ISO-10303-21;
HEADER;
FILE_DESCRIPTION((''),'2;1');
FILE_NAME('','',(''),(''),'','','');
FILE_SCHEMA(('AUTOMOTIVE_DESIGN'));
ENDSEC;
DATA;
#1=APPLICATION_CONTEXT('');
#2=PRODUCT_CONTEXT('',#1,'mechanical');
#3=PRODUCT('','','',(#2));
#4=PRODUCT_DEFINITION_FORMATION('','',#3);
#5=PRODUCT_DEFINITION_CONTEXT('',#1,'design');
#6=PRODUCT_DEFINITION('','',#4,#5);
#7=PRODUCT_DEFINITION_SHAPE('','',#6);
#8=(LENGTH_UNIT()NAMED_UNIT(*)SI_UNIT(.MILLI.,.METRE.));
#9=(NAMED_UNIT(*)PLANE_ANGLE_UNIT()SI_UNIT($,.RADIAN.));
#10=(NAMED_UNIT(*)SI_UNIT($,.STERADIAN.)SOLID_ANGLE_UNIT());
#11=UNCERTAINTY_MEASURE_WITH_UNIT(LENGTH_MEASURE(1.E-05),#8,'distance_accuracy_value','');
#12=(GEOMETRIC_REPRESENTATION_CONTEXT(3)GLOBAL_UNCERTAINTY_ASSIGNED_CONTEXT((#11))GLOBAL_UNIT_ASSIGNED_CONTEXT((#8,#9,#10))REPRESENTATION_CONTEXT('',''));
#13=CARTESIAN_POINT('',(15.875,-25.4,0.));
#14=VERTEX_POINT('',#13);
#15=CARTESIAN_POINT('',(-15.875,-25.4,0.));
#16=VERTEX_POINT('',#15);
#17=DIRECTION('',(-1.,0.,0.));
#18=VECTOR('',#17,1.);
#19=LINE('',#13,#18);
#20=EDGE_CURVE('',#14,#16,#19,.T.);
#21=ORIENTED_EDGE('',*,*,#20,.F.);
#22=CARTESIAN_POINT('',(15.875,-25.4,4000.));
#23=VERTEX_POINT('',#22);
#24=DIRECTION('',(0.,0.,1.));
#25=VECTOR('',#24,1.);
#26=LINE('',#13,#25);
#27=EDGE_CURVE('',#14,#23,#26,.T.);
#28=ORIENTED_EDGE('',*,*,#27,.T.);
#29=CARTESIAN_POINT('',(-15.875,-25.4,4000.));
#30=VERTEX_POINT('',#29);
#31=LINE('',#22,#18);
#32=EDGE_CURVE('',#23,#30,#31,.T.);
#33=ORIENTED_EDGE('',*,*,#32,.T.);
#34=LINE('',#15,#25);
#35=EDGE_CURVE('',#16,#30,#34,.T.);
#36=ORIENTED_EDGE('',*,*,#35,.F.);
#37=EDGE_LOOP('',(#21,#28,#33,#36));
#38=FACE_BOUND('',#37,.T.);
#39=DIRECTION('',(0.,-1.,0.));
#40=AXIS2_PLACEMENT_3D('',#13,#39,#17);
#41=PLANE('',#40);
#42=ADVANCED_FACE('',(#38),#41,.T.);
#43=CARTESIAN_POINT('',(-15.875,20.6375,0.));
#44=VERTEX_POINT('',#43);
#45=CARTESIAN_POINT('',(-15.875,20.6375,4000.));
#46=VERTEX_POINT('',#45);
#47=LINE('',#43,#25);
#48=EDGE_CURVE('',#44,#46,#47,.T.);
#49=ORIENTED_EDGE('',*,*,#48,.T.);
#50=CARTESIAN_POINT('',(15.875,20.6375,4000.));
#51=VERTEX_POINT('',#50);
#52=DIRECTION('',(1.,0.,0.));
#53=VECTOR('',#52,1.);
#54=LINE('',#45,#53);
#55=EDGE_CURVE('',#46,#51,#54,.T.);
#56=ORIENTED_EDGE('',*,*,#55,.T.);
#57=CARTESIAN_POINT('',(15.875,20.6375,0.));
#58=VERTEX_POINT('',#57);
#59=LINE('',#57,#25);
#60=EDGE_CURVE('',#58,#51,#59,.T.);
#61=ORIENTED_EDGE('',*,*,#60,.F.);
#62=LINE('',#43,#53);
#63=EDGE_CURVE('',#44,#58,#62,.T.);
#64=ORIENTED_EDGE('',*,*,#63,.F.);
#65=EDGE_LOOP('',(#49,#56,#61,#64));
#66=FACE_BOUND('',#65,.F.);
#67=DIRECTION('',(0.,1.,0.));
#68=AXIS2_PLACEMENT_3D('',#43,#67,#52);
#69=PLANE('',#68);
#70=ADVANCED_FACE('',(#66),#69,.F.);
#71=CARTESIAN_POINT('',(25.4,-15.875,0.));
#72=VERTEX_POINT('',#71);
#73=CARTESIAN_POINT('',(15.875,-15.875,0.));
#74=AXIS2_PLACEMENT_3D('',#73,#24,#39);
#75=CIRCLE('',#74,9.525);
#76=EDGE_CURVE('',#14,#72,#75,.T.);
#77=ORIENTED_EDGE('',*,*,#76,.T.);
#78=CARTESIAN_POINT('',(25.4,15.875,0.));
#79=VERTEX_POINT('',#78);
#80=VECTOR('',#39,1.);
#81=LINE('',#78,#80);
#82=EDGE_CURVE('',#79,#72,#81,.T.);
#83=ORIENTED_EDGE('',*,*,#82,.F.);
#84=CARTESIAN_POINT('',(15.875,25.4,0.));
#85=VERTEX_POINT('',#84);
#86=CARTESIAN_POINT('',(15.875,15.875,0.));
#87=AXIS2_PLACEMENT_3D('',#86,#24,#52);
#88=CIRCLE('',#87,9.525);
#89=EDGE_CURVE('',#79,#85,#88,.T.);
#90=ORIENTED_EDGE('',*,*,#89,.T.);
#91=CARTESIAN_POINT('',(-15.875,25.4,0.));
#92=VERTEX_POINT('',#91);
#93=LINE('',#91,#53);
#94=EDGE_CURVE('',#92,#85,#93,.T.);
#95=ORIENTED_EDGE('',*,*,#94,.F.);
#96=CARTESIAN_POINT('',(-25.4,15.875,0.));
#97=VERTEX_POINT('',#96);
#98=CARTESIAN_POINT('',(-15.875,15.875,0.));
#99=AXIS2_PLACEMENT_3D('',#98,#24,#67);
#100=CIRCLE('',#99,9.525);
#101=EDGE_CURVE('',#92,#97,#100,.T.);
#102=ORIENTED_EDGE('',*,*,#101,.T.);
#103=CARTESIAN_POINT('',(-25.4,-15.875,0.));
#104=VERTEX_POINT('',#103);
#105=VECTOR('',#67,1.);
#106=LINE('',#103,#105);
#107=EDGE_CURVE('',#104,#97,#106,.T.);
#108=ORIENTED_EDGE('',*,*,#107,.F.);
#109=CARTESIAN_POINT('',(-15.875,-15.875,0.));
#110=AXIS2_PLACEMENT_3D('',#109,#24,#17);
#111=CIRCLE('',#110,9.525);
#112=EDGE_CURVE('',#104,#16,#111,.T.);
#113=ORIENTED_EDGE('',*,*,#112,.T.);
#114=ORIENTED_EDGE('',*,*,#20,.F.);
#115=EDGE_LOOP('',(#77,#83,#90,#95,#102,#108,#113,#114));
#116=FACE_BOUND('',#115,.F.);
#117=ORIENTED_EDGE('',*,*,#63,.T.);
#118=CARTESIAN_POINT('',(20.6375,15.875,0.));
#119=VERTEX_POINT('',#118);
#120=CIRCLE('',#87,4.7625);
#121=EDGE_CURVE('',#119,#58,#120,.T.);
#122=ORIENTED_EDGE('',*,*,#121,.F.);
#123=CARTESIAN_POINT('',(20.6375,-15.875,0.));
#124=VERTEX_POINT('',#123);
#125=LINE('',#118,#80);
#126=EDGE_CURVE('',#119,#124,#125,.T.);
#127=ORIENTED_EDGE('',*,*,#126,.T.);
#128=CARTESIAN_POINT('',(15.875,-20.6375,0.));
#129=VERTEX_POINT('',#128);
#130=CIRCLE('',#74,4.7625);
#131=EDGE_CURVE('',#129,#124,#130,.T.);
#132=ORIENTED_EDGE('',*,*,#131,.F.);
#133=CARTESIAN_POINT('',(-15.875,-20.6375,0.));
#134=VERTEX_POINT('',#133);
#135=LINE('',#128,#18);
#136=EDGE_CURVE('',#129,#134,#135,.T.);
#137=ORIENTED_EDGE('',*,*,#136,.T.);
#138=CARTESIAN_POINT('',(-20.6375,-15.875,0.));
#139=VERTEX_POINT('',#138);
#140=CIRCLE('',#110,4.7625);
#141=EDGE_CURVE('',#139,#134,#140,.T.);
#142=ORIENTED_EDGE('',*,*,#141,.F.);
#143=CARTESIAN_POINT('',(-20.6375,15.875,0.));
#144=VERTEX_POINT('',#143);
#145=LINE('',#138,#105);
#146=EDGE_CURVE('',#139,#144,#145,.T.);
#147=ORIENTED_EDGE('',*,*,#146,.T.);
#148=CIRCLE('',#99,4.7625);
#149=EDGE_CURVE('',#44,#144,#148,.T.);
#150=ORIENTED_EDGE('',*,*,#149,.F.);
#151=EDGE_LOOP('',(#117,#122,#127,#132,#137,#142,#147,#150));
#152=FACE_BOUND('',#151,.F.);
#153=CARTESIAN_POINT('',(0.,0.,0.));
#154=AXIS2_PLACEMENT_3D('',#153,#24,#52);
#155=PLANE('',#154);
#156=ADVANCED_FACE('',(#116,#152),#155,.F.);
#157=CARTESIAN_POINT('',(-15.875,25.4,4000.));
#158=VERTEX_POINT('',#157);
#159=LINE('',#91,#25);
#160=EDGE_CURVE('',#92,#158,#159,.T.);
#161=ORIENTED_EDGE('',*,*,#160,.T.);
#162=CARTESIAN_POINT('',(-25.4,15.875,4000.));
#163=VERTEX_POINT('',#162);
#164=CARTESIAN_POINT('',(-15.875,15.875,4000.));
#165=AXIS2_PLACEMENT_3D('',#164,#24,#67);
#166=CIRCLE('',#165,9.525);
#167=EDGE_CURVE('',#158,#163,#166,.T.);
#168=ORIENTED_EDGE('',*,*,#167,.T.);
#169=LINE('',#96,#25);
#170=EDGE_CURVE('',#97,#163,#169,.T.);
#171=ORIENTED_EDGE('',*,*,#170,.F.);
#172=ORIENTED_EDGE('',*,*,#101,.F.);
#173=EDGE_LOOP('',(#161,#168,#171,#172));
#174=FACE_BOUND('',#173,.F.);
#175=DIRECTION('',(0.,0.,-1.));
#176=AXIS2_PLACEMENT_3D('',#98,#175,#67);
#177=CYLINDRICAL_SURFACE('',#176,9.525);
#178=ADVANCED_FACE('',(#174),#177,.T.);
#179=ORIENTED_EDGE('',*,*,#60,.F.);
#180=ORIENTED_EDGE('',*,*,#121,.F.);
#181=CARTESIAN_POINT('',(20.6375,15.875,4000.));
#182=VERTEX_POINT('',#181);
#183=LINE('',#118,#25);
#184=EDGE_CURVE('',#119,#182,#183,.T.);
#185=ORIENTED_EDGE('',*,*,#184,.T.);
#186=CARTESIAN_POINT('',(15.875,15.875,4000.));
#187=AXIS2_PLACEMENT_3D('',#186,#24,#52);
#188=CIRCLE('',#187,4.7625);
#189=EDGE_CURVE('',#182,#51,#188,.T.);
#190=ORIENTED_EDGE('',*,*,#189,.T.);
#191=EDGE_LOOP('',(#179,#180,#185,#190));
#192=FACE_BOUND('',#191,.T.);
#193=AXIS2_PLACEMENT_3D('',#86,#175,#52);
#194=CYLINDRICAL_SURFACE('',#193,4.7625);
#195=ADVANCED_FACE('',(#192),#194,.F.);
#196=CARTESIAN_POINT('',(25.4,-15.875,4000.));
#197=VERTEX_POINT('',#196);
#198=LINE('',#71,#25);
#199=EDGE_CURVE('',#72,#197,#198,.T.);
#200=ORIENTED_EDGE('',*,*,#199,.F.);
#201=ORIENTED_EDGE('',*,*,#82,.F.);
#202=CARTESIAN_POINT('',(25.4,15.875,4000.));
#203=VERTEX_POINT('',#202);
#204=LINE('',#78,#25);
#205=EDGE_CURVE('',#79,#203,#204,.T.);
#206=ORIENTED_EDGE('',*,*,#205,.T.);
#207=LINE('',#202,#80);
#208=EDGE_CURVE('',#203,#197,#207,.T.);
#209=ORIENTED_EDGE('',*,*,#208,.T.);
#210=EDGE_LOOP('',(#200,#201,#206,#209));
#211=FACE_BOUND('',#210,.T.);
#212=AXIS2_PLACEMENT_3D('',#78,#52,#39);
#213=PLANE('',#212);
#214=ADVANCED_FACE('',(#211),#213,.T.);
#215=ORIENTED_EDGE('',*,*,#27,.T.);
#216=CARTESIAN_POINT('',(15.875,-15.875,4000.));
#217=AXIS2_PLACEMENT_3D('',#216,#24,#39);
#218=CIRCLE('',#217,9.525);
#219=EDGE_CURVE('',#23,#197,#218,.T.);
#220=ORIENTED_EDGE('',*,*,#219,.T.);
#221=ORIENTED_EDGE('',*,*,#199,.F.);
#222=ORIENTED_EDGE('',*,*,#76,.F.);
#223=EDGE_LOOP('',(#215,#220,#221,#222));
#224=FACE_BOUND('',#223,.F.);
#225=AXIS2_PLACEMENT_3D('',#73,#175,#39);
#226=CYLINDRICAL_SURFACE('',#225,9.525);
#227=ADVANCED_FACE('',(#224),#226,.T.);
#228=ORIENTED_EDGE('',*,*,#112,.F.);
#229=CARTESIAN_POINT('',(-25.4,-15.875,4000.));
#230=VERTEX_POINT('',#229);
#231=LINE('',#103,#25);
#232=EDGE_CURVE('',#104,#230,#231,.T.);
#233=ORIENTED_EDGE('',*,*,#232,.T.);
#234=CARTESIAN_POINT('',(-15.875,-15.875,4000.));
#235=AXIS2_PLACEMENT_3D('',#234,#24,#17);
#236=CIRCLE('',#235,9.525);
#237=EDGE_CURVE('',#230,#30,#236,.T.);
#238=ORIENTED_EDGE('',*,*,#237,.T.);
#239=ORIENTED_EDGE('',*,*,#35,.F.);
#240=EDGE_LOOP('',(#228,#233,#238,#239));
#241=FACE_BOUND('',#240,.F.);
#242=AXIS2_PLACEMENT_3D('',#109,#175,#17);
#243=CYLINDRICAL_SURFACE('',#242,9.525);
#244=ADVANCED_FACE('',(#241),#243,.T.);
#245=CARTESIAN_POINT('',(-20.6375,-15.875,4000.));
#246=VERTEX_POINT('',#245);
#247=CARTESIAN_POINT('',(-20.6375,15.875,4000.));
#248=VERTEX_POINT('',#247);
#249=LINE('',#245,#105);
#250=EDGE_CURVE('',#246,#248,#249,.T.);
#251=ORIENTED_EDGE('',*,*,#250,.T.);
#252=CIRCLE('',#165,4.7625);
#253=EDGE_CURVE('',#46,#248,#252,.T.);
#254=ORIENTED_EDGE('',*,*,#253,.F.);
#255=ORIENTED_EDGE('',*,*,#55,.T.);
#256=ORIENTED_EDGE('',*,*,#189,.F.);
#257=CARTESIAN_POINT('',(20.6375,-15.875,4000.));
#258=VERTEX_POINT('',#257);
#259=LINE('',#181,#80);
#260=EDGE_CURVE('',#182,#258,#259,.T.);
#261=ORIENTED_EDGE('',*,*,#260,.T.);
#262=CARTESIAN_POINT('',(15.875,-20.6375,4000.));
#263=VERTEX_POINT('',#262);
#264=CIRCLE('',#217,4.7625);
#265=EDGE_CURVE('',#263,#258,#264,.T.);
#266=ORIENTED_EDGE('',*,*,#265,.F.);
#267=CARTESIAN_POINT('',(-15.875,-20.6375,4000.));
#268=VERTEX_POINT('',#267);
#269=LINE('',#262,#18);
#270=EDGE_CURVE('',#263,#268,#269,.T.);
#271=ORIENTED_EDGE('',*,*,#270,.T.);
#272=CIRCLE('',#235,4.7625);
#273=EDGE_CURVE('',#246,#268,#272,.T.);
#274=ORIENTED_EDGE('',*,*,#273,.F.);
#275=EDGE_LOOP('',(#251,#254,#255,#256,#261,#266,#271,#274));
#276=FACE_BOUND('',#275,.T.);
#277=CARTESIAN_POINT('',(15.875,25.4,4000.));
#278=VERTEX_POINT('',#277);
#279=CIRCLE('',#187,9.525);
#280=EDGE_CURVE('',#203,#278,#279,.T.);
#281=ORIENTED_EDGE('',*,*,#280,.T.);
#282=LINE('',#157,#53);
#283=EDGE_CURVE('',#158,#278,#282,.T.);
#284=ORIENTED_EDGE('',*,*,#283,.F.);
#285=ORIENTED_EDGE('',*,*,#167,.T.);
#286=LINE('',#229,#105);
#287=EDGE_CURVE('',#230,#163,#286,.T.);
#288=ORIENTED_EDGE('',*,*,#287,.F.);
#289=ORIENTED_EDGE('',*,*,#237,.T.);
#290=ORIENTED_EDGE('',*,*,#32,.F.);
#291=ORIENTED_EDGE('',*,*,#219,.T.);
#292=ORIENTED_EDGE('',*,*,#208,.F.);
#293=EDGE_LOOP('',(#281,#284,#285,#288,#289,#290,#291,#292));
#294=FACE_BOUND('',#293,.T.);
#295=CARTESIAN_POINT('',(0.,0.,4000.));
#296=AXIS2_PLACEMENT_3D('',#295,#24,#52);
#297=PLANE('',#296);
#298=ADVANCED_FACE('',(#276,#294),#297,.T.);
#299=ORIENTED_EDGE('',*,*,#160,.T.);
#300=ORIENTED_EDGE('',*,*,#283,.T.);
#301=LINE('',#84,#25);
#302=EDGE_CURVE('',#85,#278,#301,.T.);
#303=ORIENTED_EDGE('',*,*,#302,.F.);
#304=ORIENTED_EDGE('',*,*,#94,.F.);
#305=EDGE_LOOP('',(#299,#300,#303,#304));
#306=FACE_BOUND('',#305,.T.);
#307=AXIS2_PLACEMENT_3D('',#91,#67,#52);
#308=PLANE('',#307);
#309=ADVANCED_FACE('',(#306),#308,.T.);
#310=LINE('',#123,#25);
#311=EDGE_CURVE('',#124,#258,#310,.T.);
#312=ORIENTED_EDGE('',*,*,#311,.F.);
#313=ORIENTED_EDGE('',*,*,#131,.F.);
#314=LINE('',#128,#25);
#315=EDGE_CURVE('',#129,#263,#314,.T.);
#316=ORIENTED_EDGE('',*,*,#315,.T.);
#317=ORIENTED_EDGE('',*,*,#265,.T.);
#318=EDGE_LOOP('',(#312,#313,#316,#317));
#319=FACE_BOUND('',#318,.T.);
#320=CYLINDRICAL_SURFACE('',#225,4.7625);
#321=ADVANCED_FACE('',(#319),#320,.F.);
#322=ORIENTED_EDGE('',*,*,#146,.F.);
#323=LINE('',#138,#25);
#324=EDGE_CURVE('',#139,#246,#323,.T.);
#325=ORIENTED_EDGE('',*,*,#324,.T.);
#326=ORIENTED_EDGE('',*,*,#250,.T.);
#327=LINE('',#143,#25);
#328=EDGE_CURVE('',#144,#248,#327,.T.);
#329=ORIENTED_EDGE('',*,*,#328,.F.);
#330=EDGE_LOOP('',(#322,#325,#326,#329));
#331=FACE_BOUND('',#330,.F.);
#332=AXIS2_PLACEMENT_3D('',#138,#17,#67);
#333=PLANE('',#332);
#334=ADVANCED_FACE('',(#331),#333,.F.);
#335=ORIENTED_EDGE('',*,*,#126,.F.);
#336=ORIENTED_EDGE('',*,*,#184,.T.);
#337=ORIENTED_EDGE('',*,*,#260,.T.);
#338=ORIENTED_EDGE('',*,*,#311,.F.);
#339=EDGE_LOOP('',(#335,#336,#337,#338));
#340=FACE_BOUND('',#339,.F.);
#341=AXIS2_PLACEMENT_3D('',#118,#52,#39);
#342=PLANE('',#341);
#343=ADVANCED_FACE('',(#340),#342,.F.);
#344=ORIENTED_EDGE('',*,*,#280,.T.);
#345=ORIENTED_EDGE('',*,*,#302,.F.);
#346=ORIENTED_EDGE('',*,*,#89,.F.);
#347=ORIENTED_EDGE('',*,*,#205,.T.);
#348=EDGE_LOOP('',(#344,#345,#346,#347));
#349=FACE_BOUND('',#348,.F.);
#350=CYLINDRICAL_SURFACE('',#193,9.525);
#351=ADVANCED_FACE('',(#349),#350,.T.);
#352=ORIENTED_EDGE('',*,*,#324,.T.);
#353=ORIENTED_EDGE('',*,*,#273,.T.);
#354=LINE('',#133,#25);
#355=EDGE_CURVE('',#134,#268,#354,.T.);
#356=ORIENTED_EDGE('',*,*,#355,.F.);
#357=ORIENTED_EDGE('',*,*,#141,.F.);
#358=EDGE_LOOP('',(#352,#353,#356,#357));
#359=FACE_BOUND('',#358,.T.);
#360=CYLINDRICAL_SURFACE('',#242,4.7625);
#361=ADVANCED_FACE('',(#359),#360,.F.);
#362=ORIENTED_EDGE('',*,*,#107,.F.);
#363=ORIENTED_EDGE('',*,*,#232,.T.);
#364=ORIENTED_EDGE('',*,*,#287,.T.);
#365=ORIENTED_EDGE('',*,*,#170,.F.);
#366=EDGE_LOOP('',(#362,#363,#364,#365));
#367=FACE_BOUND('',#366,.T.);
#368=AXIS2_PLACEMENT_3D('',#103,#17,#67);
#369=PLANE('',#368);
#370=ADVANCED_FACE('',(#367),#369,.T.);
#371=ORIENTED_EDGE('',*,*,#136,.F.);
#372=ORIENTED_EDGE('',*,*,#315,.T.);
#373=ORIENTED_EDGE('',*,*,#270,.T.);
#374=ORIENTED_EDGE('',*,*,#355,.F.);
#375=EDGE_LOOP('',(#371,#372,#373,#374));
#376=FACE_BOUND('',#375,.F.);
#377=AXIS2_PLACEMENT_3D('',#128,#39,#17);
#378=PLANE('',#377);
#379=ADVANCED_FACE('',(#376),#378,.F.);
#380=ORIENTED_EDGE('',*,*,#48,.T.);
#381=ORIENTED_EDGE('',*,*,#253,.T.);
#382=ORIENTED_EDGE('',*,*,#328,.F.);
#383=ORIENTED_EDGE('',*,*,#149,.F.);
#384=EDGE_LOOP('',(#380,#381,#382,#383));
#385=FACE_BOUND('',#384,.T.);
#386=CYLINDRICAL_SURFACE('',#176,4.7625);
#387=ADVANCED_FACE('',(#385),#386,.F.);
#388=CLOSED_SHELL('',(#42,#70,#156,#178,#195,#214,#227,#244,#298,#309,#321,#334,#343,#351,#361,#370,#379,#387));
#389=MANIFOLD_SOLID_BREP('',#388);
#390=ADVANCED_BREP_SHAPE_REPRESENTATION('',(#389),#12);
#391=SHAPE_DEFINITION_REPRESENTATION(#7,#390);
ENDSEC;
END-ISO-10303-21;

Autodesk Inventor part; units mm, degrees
ref_plane "YZ Plane" through (0, 0, 0) normal (1, 0, 0) x (0, 1, 0)
ref_plane "Plano inicial" through (0, 0, 0) normal (0, 0, 1) x (1, 0, 0)
ref_plane "Plano final" through (0, 0, 4000) normal (0, 0, 1) x (1, 0, 0)
sketch "Esboço" plane through (0, 0, 0) normal (0, 0, 1) x (1, 0, 0)
  line L0 (-25.4, -15.875) -> (-25.4, 15.875)
  line L1 (-15.875, 25.4) -> (15.875, 25.4)
  line L2 (25.4, 15.875) -> (25.4, -15.875)
  line L3 (15.875, -25.4) -> (-15.875, -25.4)
  arc A0 (-25.4, -15.875) -> (-15.875, -25.4) centre (-15.875, -15.875) ccw
  arc A1 (-15.875, 25.4) -> (-25.4, 15.875) centre (-15.875, 15.875) ccw
  arc A2 (25.4, 15.875) -> (15.875, 25.4) centre (15.875, 15.875) ccw
  arc A3 (15.875, -25.4) -> (25.4, -15.875) centre (15.875, -15.875) ccw
  arc A4 (-15.875, 20.6375) -> (-20.6375, 15.875) centre (-15.875, 15.875) ccw
  line L4 (-15.875, 20.6375) -> (15.875, 20.6375)
  arc A5 (20.6375, 15.875) -> (15.875, 20.6375) centre (15.875, 15.875) ccw
  line L5 (20.6375, 15.875) -> (20.6375, -15.875)
  arc A6 (15.875, -20.6375) -> (20.6375, -15.875) centre (15.875, -15.875) ccw
  line L6 (15.875, -20.6375) -> (-15.875, -20.6375)
  arc A7 (-20.6375, -15.875) -> (-15.875, -20.6375) centre (-15.875, -15.875) ccw
  line L7 (-20.6375, -15.875) -> (-20.6375, 15.875)
  line L8 (0, 38.3218) -> (0, -38.3218) construction
  line L9 (-38.3218, 0) -> (38.3218, 0) construction
  dimension "d10" = 50.8
  dimension "d11" = 50.8
  dimension "d12" = 4.7625
  dimension "d15" = 25.4
  dimension "d16" = 25.4
  dimension "d17" = 9.525
extrude "Corpo" add sketch "Esboço" along normal up to surface (4000 mm away) from surface at 0
sketch "Sketch3" plane through (0, 0, 0) normal (0, 0, 1) x (1, 0, 0)
  line L0 (0, 0) -> (10, 0)
ref_plane "Work Plane3" through (0, 0, 0) normal (0, -1, 0) x (1, 0, 0)
sketch "Sketch4" plane through (0, 0, 0) normal (0, -1, 0) x (1, 0, 0)
  line L0 (-2, 0) -> (12, 0)
  line L1 (-2, 4000) -> (12, 4000)
  dimension "d19" = 4000
equation "\"d10\" = G_H"
equation "\"d11\" = G_W"
equation "\"d12\" = G_T"
equation "\"d15\" = 0.5 * d10"
equation "\"d16\" = 0.5 * d11"
equation "\"d17\" = G_IR"
equation "\"d3\" = G_L"
equation "\"G_W\" = 50.8"
equation "\"G_H\" = 50.8"
equation "\"G_T\" = 4.7625"
equation "\"G_IR\" = 9.525"
equation "\"G_L\" = d19"
equation "\"G_OFFSET_START\" = 0"
equation "\"G_OFFSET_END\" = 0"
equation "\"d14\" = G_OFFSET_END + B_L"
equation "\"B_L\" = 4000"
properties part number "AISC - 2 x 2 x 3/16 - 157,48" material "Aço, suave"
